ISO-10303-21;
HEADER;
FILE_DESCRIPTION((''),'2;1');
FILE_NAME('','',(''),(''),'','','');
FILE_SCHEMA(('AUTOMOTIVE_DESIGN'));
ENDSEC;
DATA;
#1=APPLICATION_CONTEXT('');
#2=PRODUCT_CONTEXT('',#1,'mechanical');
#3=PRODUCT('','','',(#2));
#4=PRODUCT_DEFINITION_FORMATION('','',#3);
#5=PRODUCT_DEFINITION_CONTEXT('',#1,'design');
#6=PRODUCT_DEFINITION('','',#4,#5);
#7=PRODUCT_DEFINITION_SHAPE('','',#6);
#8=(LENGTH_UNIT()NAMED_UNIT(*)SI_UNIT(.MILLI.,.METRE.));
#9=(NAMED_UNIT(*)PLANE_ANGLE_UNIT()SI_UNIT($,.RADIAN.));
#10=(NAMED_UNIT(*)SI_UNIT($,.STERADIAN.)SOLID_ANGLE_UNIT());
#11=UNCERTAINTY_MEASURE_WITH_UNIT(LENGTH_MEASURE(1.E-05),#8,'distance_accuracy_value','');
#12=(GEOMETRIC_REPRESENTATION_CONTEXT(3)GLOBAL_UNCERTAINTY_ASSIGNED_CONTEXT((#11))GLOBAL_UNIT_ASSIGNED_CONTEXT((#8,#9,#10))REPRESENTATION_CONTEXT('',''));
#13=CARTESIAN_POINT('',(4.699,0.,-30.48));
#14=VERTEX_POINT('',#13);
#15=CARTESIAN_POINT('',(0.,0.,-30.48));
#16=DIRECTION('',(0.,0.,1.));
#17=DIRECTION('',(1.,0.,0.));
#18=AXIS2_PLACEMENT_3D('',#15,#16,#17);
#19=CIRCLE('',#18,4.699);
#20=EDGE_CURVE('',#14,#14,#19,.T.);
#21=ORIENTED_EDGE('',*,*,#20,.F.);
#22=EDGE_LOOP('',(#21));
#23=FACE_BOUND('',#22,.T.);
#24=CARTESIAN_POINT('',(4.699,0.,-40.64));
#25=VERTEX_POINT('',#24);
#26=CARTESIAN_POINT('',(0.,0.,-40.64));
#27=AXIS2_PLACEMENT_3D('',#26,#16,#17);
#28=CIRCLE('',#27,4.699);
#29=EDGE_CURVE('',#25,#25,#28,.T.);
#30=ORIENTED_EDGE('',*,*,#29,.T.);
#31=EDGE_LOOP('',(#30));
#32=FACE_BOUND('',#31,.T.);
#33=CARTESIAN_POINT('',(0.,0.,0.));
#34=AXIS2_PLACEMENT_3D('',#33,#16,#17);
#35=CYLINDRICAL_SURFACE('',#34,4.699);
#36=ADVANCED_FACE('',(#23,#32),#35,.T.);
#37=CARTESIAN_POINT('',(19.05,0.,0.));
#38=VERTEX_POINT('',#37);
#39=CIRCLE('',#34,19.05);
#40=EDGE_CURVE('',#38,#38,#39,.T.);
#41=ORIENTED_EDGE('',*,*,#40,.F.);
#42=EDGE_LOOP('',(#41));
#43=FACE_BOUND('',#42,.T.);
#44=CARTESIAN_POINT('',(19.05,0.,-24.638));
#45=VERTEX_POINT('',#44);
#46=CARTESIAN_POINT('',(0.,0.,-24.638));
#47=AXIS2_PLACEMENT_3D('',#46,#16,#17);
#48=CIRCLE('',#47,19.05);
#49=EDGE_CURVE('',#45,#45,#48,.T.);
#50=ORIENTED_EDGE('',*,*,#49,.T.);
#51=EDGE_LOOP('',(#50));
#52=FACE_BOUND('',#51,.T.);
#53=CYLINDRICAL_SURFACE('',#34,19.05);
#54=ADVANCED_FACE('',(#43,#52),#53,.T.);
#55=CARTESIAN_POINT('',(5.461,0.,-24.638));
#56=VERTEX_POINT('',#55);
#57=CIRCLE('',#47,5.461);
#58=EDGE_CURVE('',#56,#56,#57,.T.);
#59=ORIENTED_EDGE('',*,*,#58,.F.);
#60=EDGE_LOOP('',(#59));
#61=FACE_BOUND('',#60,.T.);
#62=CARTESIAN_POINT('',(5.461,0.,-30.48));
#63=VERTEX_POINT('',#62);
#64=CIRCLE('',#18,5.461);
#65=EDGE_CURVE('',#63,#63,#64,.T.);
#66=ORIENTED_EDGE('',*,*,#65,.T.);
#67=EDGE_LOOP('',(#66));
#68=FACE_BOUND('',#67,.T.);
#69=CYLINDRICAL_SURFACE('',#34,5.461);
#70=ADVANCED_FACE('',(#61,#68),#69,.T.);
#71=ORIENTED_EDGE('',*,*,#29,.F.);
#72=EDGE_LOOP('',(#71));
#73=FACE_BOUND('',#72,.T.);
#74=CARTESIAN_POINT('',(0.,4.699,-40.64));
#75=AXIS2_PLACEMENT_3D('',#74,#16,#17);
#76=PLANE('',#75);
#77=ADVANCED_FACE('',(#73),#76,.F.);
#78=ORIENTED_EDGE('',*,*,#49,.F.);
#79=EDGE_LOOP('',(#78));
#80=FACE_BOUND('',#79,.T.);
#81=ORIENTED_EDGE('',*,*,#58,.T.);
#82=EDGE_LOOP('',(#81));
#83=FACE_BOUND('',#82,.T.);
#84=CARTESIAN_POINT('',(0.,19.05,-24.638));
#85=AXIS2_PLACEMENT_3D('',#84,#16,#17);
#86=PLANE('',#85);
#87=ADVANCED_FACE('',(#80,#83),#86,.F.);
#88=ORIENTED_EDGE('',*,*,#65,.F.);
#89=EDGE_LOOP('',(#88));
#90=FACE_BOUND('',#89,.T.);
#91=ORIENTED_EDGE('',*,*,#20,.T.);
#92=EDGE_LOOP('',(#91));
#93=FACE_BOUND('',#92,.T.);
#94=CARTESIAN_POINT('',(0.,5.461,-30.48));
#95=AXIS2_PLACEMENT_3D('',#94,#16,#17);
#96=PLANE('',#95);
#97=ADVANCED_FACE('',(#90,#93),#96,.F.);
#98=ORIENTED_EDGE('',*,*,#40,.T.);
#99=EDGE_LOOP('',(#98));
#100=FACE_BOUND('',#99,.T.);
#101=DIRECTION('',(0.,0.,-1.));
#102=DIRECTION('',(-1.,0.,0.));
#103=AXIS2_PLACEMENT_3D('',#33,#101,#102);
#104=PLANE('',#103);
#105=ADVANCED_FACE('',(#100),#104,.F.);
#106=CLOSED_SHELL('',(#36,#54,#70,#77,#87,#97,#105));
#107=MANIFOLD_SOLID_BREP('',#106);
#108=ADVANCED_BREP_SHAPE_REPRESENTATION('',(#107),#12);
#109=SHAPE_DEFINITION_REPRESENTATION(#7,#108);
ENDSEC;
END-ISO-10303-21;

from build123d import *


with BuildPart() as part:
    # Sketch1 → Revolve1 (revolve)
    with BuildSketch(Plane(origin=(0, 0, 0), x_dir=(0, 0, -1), z_dir=(1, 0, 0))):
        Polygon((0, 0), (0, 19.05), (24.638, 19.05), (24.638, 5.461), (30.48, 5.461), (30.48, 4.699), (40.64, 4.699), (40.64, 0), align=None)
    revolve(axis=Axis((0, 0, 0), (0, 0, -1)))


solid = part.part
